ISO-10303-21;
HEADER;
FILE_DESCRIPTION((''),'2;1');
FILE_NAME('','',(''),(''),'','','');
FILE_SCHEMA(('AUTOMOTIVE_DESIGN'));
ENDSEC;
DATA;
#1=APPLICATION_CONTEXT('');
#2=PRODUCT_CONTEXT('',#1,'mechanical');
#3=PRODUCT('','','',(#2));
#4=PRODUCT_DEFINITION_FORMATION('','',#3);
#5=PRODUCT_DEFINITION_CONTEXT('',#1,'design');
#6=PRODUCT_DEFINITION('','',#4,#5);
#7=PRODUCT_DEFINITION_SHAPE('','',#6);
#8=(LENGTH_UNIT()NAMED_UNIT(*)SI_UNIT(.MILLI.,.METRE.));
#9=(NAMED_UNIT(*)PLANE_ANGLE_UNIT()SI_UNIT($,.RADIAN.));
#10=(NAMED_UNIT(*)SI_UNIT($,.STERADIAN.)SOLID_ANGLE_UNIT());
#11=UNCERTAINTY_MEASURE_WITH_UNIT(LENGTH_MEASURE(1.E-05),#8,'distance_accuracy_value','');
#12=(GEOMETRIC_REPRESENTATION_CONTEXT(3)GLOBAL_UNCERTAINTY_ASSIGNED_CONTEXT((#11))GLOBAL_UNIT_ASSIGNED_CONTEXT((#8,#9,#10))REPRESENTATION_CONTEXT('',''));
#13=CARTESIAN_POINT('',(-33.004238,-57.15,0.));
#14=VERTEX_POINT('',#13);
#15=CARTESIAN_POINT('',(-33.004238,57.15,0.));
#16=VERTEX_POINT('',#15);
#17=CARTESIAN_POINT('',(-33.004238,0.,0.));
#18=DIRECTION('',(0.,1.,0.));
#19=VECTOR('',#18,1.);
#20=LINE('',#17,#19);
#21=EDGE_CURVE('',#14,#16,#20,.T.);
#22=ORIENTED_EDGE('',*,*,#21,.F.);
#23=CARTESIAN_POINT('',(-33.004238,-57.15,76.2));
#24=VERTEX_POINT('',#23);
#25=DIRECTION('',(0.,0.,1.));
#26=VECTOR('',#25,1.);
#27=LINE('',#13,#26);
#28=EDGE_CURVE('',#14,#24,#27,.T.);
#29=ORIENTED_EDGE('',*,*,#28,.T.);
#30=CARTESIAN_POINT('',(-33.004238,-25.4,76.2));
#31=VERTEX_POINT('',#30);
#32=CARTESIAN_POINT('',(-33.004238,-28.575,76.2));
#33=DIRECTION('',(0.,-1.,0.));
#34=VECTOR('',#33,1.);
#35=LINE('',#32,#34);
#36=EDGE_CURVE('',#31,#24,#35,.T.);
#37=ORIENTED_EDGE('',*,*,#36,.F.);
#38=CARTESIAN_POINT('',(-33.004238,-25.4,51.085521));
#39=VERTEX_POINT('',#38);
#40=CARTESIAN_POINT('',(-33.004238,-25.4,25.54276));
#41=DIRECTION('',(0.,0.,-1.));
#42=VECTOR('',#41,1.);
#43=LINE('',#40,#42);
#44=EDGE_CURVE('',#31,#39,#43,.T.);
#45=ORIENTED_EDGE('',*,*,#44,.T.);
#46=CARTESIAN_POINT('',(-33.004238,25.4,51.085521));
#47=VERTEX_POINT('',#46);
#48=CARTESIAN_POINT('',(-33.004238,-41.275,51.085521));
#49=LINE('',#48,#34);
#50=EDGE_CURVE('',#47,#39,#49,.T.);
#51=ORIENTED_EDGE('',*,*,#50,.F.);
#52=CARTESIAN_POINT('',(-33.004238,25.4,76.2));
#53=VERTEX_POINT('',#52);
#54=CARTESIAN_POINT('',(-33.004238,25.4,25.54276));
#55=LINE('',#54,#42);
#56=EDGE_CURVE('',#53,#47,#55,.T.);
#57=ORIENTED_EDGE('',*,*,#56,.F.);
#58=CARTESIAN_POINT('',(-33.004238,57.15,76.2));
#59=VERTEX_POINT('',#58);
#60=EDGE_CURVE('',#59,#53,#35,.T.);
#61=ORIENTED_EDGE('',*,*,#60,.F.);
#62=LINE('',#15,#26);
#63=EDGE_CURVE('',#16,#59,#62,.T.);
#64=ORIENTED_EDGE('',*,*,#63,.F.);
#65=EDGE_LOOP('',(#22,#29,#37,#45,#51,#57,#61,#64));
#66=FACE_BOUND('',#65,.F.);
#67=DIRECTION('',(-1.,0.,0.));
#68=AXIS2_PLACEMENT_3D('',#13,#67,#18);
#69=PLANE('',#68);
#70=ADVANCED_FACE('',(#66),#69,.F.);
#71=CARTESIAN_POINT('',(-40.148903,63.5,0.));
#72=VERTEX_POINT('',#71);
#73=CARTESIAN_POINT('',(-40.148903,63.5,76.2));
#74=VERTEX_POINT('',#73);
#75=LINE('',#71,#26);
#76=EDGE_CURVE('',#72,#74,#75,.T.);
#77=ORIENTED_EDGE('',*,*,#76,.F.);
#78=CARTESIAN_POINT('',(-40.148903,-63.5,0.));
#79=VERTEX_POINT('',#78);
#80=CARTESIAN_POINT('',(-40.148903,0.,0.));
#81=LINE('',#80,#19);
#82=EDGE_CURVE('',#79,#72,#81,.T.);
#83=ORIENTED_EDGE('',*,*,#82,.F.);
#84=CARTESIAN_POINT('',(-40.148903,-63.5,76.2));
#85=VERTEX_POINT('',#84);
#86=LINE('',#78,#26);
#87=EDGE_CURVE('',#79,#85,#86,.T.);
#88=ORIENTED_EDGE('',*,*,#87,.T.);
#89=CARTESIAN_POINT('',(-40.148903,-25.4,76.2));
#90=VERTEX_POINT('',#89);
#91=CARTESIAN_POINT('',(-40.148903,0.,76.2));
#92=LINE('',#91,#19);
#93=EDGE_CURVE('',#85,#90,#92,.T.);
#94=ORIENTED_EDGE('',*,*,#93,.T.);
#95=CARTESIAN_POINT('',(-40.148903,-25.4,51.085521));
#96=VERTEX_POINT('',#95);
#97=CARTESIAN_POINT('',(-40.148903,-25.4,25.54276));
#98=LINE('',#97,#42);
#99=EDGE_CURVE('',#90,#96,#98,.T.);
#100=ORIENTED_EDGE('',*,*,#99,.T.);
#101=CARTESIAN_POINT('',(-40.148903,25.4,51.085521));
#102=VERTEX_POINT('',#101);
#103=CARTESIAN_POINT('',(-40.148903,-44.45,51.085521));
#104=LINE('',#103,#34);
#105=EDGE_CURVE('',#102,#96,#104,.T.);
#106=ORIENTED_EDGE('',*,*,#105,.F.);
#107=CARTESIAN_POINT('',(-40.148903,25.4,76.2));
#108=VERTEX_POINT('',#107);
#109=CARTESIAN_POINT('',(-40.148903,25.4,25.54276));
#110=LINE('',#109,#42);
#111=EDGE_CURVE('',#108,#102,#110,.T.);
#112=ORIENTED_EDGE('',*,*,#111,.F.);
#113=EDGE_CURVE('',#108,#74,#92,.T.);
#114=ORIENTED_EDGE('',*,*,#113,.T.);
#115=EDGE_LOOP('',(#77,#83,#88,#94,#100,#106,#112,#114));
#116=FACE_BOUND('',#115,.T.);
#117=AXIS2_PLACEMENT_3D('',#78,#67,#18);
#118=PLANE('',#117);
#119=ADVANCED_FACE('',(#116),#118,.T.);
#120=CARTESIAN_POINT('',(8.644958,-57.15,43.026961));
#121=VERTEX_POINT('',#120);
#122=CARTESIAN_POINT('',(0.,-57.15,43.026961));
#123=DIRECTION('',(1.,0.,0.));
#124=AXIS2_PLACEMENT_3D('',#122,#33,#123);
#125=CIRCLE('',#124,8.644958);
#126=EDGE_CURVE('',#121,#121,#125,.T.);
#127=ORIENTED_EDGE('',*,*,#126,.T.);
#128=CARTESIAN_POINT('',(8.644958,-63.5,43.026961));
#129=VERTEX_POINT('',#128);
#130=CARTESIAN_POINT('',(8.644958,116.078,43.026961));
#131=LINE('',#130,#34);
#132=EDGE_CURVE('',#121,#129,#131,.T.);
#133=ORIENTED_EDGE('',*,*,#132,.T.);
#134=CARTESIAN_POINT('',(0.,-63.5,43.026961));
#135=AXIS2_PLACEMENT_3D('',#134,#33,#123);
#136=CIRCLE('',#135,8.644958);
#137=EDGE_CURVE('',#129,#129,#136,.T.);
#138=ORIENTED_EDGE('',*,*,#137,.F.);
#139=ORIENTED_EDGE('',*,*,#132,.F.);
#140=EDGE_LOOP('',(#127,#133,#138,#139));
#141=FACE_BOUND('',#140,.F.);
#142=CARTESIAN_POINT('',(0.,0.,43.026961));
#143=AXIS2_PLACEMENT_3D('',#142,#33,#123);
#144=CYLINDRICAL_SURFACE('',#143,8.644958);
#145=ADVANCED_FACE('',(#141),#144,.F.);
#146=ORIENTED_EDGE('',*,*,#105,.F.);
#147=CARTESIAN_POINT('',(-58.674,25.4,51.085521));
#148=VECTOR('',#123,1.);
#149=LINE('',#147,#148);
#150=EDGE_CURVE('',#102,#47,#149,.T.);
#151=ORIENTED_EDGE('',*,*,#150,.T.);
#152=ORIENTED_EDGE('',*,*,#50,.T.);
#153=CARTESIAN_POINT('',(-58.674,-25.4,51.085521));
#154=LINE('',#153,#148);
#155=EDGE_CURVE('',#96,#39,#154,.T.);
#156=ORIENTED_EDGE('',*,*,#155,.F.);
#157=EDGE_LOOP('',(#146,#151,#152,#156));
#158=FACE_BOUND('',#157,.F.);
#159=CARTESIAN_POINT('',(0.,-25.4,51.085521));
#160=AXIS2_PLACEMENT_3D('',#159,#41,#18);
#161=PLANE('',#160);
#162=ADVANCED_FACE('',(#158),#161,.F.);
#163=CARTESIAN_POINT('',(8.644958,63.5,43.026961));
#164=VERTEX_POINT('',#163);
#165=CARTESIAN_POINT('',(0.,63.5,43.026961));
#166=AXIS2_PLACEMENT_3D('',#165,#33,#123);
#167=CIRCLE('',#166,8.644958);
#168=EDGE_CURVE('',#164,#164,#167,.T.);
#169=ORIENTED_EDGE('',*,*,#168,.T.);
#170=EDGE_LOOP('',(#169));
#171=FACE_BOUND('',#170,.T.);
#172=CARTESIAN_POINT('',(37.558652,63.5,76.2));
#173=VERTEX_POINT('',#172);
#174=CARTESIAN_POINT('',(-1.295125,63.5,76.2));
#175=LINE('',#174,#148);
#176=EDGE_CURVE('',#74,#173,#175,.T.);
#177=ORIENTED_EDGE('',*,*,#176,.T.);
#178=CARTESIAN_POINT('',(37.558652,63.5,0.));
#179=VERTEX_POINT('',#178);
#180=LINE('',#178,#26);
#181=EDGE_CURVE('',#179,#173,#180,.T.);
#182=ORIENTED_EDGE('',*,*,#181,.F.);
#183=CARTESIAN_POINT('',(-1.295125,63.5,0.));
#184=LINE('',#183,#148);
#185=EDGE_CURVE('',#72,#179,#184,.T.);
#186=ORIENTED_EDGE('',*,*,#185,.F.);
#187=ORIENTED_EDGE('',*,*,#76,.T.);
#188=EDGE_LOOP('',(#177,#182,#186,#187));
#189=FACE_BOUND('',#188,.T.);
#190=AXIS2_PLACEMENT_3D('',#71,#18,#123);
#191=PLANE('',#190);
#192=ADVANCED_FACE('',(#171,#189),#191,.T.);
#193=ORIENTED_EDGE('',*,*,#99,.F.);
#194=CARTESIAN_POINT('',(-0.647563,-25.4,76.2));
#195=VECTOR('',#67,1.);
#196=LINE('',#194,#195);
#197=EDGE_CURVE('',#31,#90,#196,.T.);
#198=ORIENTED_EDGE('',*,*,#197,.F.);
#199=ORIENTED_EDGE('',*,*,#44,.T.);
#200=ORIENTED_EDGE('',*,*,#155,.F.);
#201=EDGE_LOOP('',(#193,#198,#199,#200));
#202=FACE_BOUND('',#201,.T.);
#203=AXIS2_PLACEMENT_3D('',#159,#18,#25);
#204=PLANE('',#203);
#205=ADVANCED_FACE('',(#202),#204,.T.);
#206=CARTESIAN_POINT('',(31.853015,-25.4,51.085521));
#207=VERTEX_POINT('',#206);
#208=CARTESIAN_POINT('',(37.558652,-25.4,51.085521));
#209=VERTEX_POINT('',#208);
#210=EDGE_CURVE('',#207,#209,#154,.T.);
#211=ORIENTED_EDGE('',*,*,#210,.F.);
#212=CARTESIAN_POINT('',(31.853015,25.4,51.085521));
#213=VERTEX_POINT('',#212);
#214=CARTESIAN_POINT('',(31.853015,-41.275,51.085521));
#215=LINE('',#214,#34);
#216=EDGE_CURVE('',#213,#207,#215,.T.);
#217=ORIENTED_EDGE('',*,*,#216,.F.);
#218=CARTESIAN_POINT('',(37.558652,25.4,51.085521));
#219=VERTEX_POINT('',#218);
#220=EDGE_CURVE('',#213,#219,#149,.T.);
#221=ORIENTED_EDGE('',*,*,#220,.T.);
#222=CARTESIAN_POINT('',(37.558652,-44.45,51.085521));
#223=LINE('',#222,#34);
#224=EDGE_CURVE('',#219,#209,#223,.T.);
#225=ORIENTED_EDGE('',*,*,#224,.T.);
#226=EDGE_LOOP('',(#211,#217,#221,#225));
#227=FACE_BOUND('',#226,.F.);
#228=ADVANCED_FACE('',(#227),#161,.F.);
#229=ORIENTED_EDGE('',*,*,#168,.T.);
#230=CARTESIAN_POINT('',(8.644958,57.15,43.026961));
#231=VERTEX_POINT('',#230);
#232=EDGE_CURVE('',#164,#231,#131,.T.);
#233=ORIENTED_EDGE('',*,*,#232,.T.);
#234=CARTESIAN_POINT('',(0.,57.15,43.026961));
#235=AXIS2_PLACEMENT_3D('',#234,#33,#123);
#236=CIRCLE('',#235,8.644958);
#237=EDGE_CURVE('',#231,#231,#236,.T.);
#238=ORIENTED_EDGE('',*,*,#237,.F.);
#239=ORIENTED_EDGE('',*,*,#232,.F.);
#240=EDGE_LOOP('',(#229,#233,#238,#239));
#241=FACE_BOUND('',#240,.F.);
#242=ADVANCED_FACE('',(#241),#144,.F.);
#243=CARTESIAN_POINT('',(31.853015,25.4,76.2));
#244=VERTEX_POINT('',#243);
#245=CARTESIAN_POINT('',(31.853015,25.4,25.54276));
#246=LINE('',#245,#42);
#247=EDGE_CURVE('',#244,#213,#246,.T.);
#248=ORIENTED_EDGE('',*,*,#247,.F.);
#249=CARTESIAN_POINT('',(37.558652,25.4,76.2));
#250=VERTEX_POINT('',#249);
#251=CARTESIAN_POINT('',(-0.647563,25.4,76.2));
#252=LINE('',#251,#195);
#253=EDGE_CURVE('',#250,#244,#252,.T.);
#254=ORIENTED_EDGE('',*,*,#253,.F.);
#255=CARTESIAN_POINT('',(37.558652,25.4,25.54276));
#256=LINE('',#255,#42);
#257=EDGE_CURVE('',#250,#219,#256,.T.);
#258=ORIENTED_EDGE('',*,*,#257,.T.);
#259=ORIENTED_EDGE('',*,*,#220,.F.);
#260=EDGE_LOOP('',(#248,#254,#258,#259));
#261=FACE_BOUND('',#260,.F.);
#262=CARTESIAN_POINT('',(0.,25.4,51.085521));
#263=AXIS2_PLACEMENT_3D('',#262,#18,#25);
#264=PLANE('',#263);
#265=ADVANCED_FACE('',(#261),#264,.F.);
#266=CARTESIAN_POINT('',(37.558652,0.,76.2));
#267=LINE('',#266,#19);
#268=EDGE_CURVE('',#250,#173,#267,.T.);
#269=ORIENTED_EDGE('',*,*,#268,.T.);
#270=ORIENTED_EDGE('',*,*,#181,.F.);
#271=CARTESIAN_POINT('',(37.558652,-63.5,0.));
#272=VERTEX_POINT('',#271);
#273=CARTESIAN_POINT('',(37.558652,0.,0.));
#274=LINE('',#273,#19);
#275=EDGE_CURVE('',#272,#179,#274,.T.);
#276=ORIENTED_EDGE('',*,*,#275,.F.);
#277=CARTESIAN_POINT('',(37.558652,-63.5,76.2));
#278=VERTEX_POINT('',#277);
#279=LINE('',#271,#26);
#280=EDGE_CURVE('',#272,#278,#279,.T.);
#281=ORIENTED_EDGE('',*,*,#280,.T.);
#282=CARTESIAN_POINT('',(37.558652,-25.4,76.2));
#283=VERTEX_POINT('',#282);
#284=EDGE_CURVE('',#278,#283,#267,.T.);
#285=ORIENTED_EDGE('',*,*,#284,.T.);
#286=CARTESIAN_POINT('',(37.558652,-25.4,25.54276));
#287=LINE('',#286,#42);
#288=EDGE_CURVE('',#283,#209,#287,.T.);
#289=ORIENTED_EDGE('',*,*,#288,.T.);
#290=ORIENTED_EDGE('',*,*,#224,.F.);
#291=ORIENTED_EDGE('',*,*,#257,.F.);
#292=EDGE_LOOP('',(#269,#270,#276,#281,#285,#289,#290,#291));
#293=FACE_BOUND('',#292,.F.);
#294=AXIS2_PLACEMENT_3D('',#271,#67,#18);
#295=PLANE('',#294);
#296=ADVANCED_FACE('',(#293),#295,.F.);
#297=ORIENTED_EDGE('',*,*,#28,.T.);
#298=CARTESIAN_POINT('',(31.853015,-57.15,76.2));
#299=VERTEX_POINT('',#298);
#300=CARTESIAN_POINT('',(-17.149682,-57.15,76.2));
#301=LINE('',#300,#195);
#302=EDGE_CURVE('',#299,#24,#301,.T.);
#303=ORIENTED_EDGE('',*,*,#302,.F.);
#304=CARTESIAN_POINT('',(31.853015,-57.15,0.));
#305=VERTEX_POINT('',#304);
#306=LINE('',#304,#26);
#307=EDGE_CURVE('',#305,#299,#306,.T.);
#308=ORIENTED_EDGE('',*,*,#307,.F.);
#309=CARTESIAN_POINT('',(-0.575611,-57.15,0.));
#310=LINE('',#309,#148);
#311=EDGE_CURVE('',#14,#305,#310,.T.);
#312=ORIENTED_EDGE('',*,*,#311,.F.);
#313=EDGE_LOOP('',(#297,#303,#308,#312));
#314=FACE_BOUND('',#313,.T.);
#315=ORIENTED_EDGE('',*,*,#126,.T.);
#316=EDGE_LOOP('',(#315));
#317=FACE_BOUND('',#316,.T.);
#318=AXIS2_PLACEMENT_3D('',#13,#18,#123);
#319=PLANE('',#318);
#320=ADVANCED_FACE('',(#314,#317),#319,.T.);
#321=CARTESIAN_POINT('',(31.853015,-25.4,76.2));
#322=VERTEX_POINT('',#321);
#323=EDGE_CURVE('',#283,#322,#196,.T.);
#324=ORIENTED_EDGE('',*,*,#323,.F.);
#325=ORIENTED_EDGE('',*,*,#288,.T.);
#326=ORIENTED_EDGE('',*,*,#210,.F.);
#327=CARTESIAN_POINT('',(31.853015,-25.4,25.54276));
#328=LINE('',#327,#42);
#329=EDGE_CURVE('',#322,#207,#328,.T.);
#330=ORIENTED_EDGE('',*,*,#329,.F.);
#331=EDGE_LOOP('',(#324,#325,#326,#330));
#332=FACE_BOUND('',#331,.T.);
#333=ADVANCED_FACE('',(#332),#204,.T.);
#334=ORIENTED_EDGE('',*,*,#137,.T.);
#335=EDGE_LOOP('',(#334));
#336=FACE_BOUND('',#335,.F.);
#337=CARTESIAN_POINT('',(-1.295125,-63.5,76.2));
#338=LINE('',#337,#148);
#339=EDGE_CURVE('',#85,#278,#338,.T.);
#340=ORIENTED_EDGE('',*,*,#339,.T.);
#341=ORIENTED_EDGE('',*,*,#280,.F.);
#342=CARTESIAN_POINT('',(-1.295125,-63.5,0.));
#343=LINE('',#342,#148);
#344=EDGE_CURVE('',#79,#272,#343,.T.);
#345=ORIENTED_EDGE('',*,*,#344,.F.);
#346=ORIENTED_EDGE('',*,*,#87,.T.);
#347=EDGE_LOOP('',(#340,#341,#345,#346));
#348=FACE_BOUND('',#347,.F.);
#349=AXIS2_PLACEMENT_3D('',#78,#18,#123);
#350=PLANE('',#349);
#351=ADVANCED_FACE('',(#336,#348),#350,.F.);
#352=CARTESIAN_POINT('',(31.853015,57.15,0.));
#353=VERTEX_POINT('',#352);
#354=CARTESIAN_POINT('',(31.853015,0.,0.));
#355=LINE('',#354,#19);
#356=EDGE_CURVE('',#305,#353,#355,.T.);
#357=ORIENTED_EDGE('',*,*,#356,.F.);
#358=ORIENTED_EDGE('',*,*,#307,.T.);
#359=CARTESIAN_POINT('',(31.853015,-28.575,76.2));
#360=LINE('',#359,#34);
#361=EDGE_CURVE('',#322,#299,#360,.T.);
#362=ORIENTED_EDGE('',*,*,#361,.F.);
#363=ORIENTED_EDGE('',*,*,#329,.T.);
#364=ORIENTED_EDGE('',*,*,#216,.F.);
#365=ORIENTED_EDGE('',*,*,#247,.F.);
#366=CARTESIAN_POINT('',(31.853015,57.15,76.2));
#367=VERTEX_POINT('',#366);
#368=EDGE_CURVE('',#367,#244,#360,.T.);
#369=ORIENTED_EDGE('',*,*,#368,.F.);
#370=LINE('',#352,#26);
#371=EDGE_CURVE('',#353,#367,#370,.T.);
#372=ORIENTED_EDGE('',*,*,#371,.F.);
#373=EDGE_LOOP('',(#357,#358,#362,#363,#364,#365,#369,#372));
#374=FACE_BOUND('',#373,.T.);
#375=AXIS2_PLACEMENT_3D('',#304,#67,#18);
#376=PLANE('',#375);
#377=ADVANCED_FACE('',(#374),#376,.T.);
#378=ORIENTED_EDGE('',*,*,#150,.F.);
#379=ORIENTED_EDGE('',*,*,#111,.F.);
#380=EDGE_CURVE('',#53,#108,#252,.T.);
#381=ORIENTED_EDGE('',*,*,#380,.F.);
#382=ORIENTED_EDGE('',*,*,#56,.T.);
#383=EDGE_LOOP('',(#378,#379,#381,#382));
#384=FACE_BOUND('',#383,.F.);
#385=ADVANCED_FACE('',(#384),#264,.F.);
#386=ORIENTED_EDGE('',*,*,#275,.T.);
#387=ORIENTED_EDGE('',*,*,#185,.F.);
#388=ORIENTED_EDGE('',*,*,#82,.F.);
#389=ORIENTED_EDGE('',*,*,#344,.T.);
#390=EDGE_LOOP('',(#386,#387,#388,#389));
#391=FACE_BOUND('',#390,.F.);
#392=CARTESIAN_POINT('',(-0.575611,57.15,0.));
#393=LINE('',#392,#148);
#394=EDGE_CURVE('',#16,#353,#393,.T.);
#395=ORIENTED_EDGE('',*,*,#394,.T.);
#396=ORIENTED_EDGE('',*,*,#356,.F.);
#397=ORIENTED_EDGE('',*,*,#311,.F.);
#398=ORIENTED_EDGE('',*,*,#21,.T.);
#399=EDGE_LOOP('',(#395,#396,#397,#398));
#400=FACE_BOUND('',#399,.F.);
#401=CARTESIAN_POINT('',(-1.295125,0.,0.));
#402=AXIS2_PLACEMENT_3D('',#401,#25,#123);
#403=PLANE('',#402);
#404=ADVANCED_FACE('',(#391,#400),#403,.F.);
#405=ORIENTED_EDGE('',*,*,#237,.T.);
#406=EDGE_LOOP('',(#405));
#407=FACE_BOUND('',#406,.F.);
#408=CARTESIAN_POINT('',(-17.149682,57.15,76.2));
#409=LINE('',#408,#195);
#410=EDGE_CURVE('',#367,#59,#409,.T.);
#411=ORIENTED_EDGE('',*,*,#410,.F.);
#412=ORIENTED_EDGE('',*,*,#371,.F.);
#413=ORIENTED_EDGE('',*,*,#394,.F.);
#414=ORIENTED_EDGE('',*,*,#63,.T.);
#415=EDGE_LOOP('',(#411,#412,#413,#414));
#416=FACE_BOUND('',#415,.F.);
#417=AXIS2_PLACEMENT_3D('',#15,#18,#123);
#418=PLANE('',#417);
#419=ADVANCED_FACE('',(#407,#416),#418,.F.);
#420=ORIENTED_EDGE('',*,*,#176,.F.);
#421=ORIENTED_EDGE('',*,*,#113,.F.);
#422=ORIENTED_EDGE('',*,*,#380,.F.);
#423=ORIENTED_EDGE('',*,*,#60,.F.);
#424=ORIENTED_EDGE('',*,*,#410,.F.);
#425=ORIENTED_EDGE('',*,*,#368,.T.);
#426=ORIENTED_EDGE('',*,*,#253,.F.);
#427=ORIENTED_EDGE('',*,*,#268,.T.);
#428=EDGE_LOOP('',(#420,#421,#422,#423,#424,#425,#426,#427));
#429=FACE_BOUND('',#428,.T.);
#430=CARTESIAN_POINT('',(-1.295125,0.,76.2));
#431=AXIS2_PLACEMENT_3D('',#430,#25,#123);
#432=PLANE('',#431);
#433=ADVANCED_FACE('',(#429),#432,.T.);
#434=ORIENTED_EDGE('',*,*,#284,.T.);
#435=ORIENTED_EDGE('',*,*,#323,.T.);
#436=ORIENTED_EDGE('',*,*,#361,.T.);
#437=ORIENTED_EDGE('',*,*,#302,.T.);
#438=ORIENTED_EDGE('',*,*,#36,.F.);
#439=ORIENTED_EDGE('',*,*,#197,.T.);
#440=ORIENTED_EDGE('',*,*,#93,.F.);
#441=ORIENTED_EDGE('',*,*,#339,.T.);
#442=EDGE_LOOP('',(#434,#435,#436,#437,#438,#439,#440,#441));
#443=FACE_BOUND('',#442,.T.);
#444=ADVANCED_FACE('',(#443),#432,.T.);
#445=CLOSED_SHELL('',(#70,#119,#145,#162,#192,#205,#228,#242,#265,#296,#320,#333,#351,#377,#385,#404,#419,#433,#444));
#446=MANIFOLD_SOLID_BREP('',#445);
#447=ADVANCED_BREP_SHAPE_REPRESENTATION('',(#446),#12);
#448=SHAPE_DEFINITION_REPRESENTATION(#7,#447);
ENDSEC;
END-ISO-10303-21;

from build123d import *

# Parameters (mm, degrees)
F0_W     = 77.707555145
F0_H     = 127
F1_DEPTH = 76.2
F2_W     = 64.8572534889
F2_H     = 114.3
F3_DEPTH = 123.444
F4_R     = 8.6449584046
F5_DEPTH = 116.078
F6_W     = 50.8
F6_H     = 25.32691136
F7_DEPTH = 58.674


with BuildPart() as f1:
    # F0 (on Top) → F1 (new body)
    with BuildSketch(Plane.XY):
        with Locations((-1.2951251119, 0)):
            Rectangle(F0_W, F0_H)
    extrude(amount=F1_DEPTH)

    # F2 (on Top) → F3 (cut)
    with BuildSketch(Plane.XY):
        with Locations((-0.5756113678, 0)):
            Rectangle(F2_W, F2_H)
    extrude(amount=F3_DEPTH, mode=Mode.SUBTRACT)

    # F4 (on Front) → F5 (cut, symmetric)
    with BuildSketch(Plane.XZ):
        with Locations((0, 43.0269613862)):
            Circle(F4_R)
    extrude(amount=F5_DEPTH, both=True, mode=Mode.SUBTRACT)

    # F6 (on Right) → F7 (cut, symmetric)
    with BuildSketch(Plane.YZ):
        with Locations((0, 63.7489762157)):
            Rectangle(F6_W, F6_H)
    extrude(amount=F7_DEPTH, both=True, mode=Mode.SUBTRACT)


solid = f1.part
